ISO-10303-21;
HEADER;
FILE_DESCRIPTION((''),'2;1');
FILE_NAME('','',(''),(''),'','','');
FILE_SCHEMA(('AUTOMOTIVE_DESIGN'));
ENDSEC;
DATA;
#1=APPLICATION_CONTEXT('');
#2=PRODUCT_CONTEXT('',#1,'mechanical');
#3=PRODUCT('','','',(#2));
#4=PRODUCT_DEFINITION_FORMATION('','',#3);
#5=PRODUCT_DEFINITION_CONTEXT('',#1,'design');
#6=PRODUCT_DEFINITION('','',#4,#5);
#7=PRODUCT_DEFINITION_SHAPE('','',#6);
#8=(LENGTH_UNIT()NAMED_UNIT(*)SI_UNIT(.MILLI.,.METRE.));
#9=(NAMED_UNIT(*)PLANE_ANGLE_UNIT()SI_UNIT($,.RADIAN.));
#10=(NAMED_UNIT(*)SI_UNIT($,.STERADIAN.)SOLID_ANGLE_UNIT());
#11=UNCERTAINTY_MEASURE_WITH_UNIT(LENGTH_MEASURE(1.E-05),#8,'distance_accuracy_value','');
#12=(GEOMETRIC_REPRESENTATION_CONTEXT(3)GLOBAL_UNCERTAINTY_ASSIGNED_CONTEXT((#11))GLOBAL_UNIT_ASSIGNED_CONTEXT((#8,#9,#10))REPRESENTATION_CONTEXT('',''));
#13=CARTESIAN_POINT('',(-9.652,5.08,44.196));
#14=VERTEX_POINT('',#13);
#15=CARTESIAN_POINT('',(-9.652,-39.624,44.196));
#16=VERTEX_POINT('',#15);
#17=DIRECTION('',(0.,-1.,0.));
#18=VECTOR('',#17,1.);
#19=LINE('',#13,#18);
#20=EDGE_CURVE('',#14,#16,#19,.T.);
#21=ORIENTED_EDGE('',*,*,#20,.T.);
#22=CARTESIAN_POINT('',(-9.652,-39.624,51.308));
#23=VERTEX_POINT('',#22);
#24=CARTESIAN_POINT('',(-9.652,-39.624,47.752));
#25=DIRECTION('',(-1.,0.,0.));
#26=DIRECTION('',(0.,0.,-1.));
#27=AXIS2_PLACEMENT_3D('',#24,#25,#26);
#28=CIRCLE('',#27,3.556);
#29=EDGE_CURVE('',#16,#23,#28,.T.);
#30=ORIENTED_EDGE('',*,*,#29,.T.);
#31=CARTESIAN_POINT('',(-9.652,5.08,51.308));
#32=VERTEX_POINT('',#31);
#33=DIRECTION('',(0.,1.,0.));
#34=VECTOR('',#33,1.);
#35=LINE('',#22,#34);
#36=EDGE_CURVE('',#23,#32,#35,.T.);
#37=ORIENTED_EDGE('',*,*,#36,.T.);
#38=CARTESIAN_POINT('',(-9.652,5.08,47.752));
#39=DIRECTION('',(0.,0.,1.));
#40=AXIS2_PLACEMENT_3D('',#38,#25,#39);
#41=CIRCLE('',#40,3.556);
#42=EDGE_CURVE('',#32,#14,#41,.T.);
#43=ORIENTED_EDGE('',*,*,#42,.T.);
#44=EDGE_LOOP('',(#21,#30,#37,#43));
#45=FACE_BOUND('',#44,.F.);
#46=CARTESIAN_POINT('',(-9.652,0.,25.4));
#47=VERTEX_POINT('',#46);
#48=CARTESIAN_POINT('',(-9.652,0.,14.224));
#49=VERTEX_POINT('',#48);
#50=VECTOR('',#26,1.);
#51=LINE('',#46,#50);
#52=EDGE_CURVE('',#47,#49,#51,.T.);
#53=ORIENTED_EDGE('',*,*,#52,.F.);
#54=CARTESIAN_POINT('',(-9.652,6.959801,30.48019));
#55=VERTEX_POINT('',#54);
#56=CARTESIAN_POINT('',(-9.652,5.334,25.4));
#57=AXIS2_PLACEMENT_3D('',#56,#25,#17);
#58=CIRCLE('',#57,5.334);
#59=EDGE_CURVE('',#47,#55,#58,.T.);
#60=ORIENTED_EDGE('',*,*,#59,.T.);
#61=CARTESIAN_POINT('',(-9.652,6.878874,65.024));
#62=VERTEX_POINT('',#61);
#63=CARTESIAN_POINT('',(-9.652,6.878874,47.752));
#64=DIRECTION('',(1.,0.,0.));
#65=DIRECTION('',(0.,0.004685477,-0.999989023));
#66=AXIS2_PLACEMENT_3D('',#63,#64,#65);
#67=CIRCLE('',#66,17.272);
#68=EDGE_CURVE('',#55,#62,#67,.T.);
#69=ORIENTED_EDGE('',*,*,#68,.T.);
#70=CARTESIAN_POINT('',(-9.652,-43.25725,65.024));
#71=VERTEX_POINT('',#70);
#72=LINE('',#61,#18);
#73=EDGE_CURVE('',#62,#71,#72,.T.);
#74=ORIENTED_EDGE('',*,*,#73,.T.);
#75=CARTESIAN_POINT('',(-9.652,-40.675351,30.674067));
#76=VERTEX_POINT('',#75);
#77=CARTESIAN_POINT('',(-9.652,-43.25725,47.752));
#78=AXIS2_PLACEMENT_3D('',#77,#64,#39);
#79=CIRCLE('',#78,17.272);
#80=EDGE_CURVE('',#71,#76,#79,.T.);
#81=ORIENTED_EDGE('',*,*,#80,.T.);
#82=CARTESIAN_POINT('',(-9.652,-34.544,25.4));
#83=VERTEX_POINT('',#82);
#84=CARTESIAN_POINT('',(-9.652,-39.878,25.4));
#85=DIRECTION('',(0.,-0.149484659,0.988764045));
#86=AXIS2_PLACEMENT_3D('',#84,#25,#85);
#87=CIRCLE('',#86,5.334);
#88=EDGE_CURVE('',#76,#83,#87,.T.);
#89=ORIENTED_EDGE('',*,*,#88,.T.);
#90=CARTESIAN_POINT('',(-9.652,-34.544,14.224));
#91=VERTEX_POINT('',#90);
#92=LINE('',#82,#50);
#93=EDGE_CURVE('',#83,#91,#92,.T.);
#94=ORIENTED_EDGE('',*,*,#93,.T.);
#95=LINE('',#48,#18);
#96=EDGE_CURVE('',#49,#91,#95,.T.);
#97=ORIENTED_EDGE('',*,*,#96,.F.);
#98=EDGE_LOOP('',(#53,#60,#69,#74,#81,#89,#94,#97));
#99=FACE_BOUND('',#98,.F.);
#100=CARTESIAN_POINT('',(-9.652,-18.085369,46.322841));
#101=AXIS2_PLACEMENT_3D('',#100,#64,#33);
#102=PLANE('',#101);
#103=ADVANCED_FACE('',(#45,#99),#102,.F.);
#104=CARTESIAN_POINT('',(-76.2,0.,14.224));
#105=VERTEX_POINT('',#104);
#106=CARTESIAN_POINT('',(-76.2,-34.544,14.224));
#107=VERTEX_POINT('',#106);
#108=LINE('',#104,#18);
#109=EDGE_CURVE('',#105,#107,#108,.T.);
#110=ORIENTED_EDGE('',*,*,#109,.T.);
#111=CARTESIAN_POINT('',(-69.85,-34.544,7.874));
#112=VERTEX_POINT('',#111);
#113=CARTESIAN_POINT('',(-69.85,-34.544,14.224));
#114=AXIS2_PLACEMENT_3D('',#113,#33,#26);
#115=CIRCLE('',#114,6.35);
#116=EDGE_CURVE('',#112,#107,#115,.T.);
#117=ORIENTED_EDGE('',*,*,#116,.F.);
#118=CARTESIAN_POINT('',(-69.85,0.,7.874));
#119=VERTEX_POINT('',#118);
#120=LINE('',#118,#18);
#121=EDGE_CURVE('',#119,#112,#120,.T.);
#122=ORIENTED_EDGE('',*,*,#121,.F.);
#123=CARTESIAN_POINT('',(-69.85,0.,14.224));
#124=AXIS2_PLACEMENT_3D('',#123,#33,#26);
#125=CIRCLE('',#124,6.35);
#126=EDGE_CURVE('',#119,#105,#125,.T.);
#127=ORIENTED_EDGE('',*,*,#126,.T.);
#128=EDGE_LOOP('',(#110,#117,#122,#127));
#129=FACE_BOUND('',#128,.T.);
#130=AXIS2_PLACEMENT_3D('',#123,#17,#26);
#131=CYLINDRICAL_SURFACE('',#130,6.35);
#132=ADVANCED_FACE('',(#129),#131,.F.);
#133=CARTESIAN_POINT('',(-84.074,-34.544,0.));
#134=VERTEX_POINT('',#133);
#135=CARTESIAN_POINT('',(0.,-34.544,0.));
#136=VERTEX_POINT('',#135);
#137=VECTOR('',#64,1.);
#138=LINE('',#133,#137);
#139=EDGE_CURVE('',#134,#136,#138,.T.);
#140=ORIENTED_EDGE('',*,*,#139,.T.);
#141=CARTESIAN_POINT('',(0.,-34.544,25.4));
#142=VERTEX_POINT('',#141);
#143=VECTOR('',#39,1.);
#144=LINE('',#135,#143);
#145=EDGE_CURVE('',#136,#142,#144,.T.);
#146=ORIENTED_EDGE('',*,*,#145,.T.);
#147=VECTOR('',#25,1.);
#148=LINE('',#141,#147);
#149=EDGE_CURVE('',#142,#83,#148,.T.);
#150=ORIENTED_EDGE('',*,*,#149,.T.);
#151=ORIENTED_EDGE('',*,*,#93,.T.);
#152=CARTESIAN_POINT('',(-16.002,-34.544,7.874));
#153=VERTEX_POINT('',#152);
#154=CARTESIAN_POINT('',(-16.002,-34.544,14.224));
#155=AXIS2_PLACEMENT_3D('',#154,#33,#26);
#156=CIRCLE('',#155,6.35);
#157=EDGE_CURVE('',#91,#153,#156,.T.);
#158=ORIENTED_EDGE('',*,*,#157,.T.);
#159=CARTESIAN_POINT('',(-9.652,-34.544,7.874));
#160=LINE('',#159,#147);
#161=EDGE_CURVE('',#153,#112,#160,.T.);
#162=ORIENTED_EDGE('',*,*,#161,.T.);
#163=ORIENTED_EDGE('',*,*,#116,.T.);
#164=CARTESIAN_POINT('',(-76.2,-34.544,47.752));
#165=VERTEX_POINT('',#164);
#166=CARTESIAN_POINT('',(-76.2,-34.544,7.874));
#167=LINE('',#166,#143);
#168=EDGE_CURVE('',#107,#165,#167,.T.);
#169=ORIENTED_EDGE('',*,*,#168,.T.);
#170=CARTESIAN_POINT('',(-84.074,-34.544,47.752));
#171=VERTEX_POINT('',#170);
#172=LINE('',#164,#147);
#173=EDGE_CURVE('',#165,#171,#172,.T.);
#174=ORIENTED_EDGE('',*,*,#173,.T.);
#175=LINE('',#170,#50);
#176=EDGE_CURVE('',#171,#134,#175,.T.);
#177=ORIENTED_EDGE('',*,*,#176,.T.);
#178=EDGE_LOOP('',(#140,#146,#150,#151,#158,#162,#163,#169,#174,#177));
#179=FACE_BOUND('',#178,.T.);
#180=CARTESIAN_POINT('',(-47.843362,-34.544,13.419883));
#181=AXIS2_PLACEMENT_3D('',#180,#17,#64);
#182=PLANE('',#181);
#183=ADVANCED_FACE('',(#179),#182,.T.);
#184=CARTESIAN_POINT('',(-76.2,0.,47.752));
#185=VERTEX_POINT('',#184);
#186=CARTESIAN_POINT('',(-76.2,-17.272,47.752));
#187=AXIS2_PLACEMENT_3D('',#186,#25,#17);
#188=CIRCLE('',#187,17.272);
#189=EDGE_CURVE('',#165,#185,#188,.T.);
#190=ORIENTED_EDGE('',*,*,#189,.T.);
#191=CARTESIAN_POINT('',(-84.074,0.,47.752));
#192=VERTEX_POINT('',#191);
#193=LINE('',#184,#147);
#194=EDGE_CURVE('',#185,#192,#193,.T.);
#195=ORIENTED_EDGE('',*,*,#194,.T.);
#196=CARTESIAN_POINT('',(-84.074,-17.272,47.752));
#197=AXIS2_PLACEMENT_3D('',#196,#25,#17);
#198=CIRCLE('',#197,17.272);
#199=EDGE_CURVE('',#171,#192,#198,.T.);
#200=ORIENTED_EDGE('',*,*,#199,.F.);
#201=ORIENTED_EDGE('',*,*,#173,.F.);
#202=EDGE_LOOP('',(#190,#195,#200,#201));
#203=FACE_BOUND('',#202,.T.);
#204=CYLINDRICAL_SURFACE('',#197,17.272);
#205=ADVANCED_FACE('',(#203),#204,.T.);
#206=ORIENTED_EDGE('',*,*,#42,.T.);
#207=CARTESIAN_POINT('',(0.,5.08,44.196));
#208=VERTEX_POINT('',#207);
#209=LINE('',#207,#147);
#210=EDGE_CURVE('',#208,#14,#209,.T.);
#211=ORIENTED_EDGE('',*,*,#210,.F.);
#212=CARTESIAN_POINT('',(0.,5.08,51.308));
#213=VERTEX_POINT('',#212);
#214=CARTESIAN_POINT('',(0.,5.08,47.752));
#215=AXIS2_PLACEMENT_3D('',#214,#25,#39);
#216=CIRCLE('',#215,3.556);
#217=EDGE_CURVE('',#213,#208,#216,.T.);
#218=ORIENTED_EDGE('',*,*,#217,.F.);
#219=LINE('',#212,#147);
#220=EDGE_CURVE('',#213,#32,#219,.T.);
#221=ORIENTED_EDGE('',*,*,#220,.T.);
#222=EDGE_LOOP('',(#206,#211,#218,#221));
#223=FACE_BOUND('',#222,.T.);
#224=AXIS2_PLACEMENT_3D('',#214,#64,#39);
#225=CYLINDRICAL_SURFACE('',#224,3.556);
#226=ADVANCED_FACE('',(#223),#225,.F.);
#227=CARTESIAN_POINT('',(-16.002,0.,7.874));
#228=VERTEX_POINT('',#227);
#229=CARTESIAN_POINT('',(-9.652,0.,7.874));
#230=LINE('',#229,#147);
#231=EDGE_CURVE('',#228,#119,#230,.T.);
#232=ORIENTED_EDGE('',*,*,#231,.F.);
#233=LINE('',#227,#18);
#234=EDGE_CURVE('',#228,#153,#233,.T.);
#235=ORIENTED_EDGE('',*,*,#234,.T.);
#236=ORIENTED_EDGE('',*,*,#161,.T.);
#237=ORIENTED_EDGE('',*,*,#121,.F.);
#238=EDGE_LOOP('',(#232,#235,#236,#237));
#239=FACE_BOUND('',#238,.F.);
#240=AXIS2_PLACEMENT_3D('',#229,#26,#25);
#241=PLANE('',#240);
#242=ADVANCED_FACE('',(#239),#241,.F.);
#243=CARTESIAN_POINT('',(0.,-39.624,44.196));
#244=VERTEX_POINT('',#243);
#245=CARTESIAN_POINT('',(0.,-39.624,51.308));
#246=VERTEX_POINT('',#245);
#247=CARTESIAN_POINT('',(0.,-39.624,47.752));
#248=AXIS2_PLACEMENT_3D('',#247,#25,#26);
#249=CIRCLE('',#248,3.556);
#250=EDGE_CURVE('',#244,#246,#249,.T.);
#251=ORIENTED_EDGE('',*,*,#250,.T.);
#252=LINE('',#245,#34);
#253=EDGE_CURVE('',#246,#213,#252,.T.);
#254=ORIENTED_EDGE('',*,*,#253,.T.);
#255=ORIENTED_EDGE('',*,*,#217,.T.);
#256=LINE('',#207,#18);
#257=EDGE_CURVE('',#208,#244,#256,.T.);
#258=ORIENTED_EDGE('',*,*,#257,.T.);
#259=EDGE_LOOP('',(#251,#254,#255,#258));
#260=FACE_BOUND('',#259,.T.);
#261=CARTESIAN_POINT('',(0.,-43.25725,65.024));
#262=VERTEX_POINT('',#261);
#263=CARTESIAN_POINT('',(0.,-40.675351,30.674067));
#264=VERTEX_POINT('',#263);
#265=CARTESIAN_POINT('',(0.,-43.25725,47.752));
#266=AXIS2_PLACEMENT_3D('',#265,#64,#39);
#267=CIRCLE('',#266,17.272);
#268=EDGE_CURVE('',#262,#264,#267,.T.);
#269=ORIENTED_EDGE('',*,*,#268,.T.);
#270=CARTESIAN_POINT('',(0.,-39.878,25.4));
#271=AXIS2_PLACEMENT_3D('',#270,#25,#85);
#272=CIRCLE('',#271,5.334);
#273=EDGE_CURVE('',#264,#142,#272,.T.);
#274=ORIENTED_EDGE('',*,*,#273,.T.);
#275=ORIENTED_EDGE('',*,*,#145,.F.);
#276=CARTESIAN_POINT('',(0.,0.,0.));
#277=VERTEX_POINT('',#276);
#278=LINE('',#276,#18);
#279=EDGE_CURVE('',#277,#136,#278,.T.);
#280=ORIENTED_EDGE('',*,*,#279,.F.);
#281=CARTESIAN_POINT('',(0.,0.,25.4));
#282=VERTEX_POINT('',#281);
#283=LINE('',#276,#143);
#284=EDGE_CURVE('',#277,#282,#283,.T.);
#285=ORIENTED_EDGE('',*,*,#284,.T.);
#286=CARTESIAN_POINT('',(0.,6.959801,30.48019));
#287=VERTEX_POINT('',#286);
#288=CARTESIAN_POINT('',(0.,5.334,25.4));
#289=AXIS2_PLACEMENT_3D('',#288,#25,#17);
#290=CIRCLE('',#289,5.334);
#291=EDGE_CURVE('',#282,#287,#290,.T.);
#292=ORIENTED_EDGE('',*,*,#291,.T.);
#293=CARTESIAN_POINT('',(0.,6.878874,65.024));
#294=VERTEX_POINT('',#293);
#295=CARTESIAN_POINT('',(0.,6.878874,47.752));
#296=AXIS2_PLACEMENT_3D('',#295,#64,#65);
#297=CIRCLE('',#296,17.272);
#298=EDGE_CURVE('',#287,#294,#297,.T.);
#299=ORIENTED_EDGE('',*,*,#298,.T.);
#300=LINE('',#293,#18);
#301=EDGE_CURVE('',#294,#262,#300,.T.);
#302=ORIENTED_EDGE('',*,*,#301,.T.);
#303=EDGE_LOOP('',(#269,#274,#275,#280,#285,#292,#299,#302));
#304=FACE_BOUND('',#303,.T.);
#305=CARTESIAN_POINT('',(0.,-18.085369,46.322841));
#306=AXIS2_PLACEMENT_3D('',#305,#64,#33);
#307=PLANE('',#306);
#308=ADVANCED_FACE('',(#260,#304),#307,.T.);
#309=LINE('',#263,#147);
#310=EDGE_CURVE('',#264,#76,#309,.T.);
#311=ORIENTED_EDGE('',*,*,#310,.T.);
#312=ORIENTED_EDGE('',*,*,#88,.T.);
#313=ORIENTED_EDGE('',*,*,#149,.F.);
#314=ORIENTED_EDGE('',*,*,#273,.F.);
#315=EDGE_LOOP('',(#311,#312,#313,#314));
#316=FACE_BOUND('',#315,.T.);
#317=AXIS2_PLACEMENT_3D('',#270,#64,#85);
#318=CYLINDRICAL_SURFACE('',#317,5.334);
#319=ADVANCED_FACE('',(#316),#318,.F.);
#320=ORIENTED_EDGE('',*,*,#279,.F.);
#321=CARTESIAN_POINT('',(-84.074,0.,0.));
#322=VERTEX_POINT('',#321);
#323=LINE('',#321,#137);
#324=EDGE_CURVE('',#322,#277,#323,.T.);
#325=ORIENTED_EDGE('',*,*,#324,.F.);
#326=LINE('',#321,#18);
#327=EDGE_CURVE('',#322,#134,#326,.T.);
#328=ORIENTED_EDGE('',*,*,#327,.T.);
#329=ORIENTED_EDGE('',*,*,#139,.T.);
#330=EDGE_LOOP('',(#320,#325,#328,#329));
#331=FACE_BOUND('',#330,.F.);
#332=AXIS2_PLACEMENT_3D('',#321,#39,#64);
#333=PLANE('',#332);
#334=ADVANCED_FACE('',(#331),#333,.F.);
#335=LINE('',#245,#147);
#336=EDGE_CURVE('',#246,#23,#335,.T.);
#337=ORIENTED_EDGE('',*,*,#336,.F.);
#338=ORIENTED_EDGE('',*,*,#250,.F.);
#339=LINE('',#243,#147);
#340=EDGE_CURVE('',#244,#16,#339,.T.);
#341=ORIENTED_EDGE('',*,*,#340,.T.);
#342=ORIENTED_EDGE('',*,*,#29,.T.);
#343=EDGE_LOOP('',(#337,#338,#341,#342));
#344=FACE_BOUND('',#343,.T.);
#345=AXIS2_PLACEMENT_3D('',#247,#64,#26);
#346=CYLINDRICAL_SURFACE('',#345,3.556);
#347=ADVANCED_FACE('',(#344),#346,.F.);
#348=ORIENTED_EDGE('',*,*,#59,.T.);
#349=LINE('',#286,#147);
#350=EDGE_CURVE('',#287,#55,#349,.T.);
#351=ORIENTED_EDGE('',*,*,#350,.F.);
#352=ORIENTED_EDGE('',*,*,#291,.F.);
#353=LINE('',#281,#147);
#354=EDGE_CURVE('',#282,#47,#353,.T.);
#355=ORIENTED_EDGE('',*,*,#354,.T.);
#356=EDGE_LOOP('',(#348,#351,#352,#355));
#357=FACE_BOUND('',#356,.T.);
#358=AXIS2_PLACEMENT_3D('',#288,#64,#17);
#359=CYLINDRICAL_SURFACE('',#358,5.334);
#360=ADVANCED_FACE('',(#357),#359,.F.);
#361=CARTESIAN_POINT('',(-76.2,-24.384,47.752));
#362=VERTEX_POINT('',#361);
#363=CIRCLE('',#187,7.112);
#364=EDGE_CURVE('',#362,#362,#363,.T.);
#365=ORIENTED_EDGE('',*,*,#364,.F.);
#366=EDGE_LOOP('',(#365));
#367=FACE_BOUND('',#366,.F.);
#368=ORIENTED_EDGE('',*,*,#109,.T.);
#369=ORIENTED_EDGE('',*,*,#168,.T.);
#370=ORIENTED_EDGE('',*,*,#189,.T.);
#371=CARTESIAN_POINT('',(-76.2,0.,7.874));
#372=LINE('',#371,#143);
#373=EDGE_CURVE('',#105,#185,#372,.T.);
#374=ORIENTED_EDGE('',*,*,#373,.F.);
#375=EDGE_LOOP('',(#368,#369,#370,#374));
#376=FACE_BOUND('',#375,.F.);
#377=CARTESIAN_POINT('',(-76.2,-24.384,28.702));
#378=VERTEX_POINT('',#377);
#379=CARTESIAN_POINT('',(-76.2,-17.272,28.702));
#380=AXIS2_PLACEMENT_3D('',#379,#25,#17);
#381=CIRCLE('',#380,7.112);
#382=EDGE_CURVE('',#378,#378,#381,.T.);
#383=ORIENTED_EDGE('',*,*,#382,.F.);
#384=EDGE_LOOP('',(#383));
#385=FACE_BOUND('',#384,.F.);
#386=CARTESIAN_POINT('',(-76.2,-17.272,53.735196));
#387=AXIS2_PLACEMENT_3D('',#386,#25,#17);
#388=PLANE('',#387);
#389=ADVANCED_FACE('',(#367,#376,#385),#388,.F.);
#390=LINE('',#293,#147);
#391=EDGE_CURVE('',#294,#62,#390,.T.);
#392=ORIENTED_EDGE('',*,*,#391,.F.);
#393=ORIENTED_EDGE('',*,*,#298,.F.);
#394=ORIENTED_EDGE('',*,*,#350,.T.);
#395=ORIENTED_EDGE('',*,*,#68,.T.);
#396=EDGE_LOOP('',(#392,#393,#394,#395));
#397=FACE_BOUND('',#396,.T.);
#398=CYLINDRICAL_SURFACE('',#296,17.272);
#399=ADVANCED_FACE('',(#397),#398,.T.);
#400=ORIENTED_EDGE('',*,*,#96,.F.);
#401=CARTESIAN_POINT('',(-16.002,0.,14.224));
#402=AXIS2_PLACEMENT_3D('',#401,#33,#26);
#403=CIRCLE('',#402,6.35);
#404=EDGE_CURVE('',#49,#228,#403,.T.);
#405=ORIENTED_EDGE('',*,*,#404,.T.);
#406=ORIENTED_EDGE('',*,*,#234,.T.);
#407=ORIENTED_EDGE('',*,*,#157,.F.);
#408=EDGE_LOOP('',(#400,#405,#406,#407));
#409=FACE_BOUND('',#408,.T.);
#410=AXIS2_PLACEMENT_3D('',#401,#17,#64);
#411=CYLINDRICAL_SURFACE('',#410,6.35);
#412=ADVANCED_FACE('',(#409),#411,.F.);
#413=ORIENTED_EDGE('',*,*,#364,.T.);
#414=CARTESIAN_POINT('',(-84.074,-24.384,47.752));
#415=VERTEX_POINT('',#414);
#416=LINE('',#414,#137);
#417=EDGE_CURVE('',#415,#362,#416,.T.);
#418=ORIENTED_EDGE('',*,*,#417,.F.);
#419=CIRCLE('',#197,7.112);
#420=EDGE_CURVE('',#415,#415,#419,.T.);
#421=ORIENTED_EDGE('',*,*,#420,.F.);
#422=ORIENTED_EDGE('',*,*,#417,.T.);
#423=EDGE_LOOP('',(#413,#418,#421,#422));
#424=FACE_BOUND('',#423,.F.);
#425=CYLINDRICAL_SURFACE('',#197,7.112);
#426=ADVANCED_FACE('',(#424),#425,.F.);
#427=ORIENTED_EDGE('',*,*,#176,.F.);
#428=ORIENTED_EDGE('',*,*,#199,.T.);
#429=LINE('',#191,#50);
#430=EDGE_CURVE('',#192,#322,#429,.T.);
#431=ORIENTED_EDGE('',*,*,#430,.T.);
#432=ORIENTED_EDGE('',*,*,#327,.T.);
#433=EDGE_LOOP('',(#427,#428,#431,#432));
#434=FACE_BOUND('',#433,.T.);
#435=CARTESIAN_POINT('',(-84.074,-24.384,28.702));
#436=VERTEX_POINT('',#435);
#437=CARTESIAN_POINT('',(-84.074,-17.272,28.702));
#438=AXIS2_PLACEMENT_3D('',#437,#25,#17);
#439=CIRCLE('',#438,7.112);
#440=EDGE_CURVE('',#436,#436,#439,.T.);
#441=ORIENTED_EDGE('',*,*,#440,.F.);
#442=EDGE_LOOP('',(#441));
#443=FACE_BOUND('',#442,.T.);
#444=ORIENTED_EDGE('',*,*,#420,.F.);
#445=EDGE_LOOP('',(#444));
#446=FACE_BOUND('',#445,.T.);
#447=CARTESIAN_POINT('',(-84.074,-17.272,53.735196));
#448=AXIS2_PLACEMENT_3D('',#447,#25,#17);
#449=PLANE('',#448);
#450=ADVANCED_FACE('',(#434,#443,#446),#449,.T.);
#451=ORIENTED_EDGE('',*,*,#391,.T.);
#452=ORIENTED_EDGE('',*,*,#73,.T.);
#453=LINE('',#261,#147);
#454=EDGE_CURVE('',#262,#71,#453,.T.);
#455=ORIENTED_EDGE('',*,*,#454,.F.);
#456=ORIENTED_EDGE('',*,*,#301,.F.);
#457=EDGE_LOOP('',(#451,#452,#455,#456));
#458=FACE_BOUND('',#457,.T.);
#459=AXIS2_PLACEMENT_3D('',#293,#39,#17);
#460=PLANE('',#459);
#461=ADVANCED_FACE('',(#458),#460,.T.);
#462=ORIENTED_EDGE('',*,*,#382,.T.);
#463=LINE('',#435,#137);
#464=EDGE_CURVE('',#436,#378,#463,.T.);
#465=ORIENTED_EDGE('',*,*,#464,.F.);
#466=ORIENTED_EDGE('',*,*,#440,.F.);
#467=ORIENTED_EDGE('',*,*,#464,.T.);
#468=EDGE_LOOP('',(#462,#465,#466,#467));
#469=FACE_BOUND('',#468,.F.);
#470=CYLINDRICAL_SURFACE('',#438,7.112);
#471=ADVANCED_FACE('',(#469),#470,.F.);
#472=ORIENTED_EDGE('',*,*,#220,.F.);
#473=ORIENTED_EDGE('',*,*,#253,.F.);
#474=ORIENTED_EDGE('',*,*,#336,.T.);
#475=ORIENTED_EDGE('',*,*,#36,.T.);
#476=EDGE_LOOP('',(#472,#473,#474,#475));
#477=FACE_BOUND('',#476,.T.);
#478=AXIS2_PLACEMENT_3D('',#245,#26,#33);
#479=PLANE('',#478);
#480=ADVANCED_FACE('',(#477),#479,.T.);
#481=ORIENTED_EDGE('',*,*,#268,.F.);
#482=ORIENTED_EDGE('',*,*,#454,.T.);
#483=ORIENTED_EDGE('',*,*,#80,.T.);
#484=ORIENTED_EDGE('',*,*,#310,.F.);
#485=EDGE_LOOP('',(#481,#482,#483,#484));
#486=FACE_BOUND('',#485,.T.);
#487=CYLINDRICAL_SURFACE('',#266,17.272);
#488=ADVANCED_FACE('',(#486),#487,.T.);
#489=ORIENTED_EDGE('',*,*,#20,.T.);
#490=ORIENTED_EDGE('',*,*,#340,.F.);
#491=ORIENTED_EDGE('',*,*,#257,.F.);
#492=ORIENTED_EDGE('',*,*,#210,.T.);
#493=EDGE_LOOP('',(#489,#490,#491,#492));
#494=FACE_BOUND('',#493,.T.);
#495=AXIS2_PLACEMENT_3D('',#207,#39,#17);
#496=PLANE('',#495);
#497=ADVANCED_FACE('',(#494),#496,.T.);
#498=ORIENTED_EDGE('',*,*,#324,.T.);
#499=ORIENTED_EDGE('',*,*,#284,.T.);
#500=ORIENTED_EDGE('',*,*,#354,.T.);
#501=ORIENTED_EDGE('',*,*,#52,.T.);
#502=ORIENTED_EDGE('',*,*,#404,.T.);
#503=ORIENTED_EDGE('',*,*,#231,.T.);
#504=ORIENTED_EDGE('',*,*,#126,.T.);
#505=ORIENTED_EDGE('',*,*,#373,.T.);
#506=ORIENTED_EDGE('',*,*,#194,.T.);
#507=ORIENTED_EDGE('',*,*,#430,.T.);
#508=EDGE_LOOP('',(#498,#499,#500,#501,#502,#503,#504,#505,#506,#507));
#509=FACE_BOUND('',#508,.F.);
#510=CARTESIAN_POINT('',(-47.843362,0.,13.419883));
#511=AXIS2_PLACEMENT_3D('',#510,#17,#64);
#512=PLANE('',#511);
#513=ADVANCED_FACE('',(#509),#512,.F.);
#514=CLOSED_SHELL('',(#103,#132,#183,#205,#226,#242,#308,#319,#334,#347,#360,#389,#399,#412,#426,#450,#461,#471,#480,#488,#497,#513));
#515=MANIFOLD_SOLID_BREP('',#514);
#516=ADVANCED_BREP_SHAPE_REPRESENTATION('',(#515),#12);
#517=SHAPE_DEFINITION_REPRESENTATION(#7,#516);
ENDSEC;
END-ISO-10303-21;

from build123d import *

# Parameters (mm, degrees)
F1_DEPTH = 34.544
F3_DEPTH = 7.874
F5_DEPTH = 9.652
F6_R     = 7.112
F7_DEPTH = 25.4
F8_R     = 6.35


with BuildPart() as f1:
    # F0 (on Front) → F1 (new body)
    with BuildSketch(Plane.XZ):
        Polygon((0, 0), (0, 25.4), (-9.652, 25.4), (-9.652, 7.874), (-76.2, 7.874), (-76.2, 47.752), (-84.074, 47.752), (-84.074, 0), align=None)
    extrude(amount=F1_DEPTH)

    # F2 (on face) → F3 (join)
    with BuildSketch(Plane(origin=(-84.074, 0, 0), x_dir=(0, -1, 0), z_dir=(-1, 0, 0))):
        with BuildLine():
            ThreePointArc((34.544, 47.752), (17.272, 65.024), (0, 47.752))
            Line((0, 47.752), (34.544, 47.752))
        make_face()
    extrude(amount=-F3_DEPTH)

    # F4 (on face) → F5 (join)
    with BuildSketch(Plane.YZ):
        with BuildLine():
            Line((6.8788736876, 65.024), (-17.272, 65.024))
            Line((-17.272, 65.024), (-43.2572502127, 65.024))
            ThreePointArc((-43.2572502127, 65.024), (-60.480665025, 46.4574088668), (-40.6753511738, 30.6740674157))
            ThreePointArc((-40.6753511738, 30.6740674157), (-36.3996034701, 29.4437993991), (-34.544, 25.4))
            Line((-34.544, 25.4), (0, 25.4))
            ThreePointArc((0, 25.4), (2.1892001539, 29.708339579), (6.9598012479, 30.4801895932))
            ThreePointArc((6.9598012479, 30.4801895932), (24.1508262893, 47.7924638912), (6.8788736876, 65.024))
        make_face()
        with BuildLine():
            Line((5.08, 44.196), (-39.624, 44.196))
            ThreePointArc((-39.624, 44.196), (-43.18, 47.752), (-39.624, 51.308))
            Line((-39.624, 51.308), (-34.1739776358, 51.308))
            ThreePointArc((-34.1739776358, 51.308), (-28.1555369251, 61.163584843), (-17.272, 65.024))
            ThreePointArc((-17.272, 65.024), (-6.3884630749, 61.163584843), (-0.3700223642, 51.308))
            Line((-0.3700223642, 51.308), (5.08, 51.308))
            ThreePointArc((5.08, 51.308), (8.636, 47.752), (5.08, 44.196))
        make_face(mode=Mode.SUBTRACT)
        with BuildLine():
            ThreePointArc((-17.272, 65.024), (-28.1555369251, 61.163584843), (-34.1739776358, 51.308))
            Line((-34.1739776358, 51.308), (-0.3700223642, 51.308))
            ThreePointArc((-0.3700223642, 51.308), (-6.3884630749, 61.163584843), (-17.272, 65.024))
        make_face()
    extrude(amount=-F5_DEPTH)

    # F6 (on face) → F7 (cut)
    with BuildSketch(Plane(origin=(-84.074, 0, 0), x_dir=(0, -1, 0), z_dir=(-1, 0, 0))):
        with Locations((17.272, 47.752)):
            Circle(F6_R)
        with Locations((17.272, 28.702)):
            Circle(F6_R)
    extrude(amount=-F7_DEPTH, mode=Mode.SUBTRACT)

    # F8
    f8_edges = [f1.edges().sort_by_distance(p)[0] for p in [
        (-9.652, -17.272, 7.874),
        (-76.2, -17.272, 7.874),
    ]]
    fillet(f8_edges, radius=F8_R)


solid = f1.part
